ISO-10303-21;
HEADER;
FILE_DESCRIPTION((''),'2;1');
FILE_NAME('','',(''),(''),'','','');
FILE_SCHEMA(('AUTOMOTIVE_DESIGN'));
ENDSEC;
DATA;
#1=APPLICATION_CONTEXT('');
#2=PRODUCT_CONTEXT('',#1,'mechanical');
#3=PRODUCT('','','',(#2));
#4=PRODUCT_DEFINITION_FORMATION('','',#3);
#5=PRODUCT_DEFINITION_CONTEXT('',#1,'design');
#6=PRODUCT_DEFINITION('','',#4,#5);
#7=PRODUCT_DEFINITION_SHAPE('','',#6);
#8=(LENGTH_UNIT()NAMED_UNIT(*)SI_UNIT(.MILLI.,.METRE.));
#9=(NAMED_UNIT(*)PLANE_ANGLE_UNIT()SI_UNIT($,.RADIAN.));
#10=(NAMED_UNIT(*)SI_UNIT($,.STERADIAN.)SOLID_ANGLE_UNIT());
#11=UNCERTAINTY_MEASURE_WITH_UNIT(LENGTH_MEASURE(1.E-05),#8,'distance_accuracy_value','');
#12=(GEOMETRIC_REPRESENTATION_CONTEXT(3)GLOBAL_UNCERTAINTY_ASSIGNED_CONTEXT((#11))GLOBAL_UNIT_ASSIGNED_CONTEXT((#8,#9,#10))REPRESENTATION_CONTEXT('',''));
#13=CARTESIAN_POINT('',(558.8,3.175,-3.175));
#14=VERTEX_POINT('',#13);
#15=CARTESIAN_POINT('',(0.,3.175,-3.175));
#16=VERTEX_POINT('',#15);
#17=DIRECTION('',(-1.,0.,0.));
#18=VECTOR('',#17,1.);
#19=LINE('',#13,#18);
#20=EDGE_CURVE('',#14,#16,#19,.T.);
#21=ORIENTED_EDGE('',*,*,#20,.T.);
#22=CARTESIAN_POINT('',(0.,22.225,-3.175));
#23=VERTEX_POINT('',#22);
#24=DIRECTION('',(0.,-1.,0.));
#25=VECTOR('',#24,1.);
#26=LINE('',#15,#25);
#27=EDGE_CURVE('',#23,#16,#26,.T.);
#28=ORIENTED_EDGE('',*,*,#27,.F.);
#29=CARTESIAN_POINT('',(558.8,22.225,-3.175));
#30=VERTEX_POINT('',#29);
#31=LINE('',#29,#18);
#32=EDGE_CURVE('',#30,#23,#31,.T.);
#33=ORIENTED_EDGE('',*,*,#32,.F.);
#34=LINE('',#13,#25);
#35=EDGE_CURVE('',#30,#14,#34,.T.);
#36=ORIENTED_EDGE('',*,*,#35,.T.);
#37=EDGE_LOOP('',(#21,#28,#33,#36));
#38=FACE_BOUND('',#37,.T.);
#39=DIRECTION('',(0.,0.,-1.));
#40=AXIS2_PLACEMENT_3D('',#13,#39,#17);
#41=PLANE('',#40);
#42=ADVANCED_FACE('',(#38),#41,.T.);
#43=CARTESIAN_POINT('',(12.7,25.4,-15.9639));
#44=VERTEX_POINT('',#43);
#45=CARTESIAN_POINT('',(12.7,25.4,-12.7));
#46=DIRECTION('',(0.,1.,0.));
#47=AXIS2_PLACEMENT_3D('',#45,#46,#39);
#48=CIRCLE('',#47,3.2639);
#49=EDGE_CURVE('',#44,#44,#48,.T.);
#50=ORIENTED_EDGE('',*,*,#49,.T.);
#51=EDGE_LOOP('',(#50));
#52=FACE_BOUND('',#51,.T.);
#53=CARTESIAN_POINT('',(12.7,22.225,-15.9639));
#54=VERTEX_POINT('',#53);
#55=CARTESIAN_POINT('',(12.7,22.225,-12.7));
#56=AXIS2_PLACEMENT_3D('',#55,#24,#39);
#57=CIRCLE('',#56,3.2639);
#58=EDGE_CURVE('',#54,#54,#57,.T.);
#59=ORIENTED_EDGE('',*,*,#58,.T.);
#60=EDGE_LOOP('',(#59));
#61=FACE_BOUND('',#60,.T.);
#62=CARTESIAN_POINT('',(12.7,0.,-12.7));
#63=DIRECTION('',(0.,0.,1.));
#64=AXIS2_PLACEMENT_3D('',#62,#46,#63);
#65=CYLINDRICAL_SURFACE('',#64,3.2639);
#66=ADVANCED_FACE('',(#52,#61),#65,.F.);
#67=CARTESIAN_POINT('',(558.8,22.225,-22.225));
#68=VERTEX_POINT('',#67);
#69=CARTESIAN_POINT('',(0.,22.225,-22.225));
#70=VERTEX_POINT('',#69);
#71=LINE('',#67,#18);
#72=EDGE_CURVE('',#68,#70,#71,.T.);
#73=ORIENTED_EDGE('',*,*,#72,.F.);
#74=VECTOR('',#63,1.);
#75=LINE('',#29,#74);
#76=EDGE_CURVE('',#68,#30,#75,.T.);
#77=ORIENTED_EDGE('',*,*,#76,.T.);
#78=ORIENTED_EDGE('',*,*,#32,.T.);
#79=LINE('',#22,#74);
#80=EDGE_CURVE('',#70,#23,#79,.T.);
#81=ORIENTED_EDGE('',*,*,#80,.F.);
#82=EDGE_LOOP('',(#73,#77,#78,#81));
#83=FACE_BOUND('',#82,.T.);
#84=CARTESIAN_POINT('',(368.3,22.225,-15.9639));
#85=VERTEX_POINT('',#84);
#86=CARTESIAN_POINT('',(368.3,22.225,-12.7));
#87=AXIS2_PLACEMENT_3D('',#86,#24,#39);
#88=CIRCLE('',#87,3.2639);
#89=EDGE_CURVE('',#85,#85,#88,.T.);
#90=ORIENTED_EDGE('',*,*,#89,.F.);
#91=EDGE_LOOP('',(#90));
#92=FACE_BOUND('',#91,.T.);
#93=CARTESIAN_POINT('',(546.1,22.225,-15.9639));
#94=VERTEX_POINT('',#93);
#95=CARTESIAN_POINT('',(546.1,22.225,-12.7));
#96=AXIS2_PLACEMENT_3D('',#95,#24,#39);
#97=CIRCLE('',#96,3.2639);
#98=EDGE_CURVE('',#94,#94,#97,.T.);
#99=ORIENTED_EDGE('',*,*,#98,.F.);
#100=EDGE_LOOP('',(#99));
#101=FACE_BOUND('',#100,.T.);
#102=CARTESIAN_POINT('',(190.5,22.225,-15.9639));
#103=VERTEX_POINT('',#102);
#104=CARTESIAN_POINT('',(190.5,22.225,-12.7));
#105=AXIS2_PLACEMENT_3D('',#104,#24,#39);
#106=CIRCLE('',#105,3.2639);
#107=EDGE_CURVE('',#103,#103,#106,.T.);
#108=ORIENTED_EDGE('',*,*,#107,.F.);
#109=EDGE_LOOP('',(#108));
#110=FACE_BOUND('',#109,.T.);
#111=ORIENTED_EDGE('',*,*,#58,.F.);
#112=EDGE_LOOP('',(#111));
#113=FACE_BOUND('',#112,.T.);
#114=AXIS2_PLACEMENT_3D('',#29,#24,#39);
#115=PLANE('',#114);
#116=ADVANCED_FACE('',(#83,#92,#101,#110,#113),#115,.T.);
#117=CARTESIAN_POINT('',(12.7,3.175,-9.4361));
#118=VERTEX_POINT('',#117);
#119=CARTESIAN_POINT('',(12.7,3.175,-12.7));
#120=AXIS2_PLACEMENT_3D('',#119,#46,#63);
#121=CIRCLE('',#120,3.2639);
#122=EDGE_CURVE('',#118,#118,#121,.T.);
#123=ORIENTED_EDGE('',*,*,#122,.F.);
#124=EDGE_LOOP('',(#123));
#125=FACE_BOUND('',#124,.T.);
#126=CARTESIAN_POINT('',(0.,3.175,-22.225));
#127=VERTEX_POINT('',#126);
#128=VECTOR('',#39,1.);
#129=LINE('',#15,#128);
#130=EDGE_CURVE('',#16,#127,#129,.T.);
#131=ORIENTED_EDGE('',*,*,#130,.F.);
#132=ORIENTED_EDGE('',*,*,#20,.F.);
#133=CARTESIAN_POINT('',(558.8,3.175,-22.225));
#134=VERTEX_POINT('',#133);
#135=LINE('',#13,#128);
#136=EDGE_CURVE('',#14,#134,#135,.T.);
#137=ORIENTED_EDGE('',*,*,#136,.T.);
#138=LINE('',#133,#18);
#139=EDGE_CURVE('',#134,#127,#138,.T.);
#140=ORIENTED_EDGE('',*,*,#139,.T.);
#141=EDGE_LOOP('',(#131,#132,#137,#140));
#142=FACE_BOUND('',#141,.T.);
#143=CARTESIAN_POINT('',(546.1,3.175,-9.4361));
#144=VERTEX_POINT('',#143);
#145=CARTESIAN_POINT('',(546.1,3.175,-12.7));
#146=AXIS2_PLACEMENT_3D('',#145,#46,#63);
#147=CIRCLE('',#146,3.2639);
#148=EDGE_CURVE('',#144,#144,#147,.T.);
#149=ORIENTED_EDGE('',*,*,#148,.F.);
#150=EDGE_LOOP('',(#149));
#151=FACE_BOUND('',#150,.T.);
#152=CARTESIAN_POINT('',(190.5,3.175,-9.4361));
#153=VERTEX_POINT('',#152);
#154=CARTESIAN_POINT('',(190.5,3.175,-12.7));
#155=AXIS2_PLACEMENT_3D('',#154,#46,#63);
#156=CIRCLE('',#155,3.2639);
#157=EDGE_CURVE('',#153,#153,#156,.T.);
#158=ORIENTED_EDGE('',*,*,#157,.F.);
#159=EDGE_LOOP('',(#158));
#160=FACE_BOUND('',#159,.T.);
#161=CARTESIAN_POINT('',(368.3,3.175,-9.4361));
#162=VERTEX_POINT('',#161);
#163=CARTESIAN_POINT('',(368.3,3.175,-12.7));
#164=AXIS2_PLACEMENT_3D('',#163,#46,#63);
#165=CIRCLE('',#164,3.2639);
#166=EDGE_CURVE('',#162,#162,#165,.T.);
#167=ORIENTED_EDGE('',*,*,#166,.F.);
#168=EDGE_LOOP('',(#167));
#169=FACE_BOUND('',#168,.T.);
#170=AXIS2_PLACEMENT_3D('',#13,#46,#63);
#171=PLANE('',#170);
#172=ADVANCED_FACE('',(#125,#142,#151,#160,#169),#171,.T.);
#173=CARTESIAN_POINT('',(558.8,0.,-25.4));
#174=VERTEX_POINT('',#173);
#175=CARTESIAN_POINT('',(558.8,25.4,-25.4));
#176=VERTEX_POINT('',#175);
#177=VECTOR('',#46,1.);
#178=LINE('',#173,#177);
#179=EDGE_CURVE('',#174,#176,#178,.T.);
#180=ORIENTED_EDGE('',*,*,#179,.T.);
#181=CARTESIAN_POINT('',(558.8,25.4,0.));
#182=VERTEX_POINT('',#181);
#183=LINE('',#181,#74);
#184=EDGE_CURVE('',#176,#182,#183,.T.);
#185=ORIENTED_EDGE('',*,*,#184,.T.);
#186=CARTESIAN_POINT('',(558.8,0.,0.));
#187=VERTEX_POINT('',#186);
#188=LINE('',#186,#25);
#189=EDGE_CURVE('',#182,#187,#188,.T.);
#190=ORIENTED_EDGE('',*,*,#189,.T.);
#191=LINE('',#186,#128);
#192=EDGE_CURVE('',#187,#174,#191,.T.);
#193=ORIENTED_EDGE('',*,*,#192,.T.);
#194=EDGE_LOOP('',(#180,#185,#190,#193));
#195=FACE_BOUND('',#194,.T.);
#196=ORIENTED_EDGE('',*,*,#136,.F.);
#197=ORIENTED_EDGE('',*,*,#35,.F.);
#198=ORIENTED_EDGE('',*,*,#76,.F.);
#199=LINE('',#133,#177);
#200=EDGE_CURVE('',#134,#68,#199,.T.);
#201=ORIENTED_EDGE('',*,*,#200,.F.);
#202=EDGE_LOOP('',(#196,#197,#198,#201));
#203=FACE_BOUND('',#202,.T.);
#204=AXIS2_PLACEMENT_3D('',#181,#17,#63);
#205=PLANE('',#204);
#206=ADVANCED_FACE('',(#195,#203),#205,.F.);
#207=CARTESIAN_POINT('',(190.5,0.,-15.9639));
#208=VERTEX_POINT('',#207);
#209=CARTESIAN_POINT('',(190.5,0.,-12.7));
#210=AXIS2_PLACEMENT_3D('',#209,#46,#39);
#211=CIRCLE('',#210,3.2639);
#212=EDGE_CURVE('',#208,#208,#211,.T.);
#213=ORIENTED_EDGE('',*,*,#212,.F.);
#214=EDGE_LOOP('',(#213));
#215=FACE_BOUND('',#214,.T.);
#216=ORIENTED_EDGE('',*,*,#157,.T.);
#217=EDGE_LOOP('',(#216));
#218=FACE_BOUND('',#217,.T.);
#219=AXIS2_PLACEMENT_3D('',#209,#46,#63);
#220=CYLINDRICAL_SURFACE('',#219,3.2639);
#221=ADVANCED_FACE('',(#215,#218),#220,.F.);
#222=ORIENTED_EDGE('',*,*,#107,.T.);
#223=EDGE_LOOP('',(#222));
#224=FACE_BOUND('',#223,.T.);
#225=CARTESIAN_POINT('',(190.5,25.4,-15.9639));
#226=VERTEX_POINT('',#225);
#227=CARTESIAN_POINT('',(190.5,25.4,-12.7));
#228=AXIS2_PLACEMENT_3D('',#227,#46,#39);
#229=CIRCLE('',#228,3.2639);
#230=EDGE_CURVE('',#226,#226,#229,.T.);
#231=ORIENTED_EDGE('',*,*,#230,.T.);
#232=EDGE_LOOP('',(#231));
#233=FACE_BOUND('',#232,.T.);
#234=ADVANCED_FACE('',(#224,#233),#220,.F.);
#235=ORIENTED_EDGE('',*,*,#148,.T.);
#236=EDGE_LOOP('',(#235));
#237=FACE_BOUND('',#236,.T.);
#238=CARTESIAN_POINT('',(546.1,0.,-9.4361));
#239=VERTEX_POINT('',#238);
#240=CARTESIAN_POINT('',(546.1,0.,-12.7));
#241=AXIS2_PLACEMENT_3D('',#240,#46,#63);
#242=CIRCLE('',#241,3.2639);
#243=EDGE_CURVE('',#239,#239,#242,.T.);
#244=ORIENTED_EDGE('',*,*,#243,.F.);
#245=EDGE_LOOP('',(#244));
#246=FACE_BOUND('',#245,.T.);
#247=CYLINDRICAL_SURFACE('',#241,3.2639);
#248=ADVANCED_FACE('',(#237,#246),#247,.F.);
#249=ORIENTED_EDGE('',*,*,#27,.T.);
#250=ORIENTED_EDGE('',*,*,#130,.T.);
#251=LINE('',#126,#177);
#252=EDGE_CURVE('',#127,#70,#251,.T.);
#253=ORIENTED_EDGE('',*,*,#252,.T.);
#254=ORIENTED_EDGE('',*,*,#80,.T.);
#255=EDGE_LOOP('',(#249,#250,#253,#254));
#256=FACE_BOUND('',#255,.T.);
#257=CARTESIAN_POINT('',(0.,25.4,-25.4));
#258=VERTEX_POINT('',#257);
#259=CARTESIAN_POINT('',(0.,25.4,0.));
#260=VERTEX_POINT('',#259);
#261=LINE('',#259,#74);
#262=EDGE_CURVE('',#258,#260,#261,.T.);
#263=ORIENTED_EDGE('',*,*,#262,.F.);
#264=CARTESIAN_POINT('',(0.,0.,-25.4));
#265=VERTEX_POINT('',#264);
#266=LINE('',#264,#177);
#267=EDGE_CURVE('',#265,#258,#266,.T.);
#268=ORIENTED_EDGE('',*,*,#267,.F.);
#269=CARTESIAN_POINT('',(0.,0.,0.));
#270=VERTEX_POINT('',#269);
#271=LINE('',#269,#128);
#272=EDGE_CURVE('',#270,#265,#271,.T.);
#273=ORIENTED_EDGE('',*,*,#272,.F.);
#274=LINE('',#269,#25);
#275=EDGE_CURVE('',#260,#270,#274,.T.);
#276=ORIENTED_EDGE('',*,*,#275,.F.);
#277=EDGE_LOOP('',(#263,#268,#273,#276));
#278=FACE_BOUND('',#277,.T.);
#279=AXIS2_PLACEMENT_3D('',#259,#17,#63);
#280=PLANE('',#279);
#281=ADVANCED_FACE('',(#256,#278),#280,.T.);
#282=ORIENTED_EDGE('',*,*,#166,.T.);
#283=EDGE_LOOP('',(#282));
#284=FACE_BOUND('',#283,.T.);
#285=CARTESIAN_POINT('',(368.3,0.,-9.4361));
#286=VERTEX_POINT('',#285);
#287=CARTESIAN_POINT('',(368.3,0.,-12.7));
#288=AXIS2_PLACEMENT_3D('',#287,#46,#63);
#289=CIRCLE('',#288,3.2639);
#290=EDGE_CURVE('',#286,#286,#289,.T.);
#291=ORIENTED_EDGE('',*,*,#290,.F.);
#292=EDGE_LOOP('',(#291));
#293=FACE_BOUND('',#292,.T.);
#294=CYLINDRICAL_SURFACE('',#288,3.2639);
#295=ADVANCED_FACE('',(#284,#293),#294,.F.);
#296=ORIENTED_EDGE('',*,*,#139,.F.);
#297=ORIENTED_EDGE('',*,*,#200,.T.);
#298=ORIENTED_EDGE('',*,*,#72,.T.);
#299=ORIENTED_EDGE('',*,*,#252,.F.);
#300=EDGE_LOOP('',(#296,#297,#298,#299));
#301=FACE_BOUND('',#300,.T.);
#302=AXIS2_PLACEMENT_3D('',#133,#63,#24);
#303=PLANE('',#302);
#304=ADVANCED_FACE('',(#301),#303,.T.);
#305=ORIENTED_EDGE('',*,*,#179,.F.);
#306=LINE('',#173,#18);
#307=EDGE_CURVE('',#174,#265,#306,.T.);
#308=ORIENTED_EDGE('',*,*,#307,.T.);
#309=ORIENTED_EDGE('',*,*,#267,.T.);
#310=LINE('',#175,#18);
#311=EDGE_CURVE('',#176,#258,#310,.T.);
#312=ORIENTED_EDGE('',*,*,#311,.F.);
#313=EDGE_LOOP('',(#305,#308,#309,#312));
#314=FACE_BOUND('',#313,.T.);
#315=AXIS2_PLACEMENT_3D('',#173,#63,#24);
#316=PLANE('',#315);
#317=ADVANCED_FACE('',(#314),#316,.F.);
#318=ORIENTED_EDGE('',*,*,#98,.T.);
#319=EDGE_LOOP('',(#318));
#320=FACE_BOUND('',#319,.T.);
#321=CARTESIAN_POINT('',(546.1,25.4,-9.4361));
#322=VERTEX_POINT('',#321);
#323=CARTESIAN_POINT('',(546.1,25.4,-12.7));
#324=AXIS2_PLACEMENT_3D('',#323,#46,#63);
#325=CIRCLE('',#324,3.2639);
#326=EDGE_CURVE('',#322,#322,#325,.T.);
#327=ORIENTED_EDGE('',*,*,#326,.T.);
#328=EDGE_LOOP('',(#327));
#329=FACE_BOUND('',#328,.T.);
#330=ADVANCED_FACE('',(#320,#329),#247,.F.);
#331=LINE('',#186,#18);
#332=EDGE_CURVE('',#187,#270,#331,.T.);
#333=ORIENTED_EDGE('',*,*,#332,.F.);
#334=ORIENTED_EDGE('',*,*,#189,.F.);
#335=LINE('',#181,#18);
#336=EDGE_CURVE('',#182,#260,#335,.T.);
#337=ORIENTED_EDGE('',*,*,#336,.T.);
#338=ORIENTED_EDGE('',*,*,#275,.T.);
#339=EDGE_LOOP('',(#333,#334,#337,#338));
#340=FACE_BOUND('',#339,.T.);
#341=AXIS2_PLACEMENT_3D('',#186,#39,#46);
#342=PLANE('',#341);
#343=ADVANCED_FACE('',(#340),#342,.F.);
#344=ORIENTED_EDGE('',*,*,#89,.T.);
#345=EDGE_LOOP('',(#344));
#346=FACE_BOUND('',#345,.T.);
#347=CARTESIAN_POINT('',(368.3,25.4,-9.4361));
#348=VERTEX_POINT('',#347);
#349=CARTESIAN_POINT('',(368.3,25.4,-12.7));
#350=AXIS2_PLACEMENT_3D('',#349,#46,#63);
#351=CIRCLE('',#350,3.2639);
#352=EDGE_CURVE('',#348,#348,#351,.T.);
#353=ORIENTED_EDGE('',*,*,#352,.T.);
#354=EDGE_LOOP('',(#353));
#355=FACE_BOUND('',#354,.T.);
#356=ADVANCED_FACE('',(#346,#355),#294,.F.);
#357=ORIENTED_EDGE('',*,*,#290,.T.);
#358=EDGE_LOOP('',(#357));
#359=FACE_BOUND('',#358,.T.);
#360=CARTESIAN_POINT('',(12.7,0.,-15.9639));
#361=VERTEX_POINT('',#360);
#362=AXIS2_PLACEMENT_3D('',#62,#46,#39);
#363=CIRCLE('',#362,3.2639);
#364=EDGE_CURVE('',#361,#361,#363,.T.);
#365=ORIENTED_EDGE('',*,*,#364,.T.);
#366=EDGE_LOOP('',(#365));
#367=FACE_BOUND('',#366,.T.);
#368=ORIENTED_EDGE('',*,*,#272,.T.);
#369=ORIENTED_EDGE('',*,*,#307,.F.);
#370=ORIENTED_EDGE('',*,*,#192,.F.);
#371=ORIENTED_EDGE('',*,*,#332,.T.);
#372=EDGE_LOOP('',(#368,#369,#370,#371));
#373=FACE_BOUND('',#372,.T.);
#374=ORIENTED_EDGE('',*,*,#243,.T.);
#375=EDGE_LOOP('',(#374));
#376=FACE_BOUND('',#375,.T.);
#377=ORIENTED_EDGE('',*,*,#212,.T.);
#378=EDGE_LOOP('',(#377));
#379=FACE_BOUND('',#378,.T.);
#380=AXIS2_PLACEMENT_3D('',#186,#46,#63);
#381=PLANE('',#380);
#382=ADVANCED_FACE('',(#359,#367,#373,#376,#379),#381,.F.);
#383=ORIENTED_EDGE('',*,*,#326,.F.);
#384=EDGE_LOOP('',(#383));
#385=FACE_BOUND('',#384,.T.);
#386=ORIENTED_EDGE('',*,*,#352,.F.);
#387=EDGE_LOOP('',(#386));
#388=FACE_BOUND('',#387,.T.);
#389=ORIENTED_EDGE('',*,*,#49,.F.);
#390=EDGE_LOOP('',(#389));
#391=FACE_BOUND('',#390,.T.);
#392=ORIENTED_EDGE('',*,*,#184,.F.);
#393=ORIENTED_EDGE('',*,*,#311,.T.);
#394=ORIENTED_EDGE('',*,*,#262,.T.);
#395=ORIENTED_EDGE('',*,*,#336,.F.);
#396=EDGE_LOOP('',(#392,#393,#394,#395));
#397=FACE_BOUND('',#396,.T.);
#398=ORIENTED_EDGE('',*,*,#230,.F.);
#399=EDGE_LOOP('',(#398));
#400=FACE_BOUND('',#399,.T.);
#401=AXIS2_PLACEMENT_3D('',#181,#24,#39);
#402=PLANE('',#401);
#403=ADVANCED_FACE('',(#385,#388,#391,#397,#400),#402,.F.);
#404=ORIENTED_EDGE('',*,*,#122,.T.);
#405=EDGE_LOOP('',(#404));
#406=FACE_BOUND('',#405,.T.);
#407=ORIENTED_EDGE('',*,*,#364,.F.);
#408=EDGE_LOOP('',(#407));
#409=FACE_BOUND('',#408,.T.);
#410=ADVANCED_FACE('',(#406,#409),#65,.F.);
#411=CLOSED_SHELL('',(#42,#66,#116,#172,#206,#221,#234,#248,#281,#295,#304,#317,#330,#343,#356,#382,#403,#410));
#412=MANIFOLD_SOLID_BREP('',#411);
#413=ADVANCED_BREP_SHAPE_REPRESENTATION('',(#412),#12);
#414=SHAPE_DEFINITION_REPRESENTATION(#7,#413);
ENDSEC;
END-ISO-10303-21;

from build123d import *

# Parameters (mm, degrees)
SKETCH1_W          = 25.4
SKETCH1_H          = 25.4
SKETCH1_W_2        = 19.05
SKETCH1_H_2        = 19.05
EXTRUDE1_DEPTH     = 558.8
SKETCH2_R          = 3.2639
CUT_EXTRUDE1_DEPTH = 26.4


with BuildPart() as part:
    # Sketch1 → Extrude1 (new body)
    with BuildSketch(Plane(origin=(0, 0, 0), x_dir=(0, 0, -1), z_dir=(1, 0, 0))):
        with Locations((12.7, 12.7)):
            Rectangle(SKETCH1_W, SKETCH1_H)
        with Locations((12.7, 12.7)):
            Rectangle(SKETCH1_W_2, SKETCH1_H_2, mode=Mode.SUBTRACT)
    extrude(amount=EXTRUDE1_DEPTH)

    # Sketch2 → Cut-Extrude1 (cut, through all)
    with BuildSketch(Plane(origin=(0, 25.4, 0), x_dir=(-1, 0, 0), z_dir=(0, 1, 0))):
        with Locations((-546.1, -12.7)):
            Circle(SKETCH2_R)
        with Locations((-368.3, -12.7)):
            Circle(SKETCH2_R)
        with Locations((-190.5, -12.7)):
            Circle(SKETCH2_R)
        with Locations((-12.7, -12.7)):
            Circle(SKETCH2_R)
    extrude(amount=-CUT_EXTRUDE1_DEPTH, mode=Mode.SUBTRACT)


solid = part.part
